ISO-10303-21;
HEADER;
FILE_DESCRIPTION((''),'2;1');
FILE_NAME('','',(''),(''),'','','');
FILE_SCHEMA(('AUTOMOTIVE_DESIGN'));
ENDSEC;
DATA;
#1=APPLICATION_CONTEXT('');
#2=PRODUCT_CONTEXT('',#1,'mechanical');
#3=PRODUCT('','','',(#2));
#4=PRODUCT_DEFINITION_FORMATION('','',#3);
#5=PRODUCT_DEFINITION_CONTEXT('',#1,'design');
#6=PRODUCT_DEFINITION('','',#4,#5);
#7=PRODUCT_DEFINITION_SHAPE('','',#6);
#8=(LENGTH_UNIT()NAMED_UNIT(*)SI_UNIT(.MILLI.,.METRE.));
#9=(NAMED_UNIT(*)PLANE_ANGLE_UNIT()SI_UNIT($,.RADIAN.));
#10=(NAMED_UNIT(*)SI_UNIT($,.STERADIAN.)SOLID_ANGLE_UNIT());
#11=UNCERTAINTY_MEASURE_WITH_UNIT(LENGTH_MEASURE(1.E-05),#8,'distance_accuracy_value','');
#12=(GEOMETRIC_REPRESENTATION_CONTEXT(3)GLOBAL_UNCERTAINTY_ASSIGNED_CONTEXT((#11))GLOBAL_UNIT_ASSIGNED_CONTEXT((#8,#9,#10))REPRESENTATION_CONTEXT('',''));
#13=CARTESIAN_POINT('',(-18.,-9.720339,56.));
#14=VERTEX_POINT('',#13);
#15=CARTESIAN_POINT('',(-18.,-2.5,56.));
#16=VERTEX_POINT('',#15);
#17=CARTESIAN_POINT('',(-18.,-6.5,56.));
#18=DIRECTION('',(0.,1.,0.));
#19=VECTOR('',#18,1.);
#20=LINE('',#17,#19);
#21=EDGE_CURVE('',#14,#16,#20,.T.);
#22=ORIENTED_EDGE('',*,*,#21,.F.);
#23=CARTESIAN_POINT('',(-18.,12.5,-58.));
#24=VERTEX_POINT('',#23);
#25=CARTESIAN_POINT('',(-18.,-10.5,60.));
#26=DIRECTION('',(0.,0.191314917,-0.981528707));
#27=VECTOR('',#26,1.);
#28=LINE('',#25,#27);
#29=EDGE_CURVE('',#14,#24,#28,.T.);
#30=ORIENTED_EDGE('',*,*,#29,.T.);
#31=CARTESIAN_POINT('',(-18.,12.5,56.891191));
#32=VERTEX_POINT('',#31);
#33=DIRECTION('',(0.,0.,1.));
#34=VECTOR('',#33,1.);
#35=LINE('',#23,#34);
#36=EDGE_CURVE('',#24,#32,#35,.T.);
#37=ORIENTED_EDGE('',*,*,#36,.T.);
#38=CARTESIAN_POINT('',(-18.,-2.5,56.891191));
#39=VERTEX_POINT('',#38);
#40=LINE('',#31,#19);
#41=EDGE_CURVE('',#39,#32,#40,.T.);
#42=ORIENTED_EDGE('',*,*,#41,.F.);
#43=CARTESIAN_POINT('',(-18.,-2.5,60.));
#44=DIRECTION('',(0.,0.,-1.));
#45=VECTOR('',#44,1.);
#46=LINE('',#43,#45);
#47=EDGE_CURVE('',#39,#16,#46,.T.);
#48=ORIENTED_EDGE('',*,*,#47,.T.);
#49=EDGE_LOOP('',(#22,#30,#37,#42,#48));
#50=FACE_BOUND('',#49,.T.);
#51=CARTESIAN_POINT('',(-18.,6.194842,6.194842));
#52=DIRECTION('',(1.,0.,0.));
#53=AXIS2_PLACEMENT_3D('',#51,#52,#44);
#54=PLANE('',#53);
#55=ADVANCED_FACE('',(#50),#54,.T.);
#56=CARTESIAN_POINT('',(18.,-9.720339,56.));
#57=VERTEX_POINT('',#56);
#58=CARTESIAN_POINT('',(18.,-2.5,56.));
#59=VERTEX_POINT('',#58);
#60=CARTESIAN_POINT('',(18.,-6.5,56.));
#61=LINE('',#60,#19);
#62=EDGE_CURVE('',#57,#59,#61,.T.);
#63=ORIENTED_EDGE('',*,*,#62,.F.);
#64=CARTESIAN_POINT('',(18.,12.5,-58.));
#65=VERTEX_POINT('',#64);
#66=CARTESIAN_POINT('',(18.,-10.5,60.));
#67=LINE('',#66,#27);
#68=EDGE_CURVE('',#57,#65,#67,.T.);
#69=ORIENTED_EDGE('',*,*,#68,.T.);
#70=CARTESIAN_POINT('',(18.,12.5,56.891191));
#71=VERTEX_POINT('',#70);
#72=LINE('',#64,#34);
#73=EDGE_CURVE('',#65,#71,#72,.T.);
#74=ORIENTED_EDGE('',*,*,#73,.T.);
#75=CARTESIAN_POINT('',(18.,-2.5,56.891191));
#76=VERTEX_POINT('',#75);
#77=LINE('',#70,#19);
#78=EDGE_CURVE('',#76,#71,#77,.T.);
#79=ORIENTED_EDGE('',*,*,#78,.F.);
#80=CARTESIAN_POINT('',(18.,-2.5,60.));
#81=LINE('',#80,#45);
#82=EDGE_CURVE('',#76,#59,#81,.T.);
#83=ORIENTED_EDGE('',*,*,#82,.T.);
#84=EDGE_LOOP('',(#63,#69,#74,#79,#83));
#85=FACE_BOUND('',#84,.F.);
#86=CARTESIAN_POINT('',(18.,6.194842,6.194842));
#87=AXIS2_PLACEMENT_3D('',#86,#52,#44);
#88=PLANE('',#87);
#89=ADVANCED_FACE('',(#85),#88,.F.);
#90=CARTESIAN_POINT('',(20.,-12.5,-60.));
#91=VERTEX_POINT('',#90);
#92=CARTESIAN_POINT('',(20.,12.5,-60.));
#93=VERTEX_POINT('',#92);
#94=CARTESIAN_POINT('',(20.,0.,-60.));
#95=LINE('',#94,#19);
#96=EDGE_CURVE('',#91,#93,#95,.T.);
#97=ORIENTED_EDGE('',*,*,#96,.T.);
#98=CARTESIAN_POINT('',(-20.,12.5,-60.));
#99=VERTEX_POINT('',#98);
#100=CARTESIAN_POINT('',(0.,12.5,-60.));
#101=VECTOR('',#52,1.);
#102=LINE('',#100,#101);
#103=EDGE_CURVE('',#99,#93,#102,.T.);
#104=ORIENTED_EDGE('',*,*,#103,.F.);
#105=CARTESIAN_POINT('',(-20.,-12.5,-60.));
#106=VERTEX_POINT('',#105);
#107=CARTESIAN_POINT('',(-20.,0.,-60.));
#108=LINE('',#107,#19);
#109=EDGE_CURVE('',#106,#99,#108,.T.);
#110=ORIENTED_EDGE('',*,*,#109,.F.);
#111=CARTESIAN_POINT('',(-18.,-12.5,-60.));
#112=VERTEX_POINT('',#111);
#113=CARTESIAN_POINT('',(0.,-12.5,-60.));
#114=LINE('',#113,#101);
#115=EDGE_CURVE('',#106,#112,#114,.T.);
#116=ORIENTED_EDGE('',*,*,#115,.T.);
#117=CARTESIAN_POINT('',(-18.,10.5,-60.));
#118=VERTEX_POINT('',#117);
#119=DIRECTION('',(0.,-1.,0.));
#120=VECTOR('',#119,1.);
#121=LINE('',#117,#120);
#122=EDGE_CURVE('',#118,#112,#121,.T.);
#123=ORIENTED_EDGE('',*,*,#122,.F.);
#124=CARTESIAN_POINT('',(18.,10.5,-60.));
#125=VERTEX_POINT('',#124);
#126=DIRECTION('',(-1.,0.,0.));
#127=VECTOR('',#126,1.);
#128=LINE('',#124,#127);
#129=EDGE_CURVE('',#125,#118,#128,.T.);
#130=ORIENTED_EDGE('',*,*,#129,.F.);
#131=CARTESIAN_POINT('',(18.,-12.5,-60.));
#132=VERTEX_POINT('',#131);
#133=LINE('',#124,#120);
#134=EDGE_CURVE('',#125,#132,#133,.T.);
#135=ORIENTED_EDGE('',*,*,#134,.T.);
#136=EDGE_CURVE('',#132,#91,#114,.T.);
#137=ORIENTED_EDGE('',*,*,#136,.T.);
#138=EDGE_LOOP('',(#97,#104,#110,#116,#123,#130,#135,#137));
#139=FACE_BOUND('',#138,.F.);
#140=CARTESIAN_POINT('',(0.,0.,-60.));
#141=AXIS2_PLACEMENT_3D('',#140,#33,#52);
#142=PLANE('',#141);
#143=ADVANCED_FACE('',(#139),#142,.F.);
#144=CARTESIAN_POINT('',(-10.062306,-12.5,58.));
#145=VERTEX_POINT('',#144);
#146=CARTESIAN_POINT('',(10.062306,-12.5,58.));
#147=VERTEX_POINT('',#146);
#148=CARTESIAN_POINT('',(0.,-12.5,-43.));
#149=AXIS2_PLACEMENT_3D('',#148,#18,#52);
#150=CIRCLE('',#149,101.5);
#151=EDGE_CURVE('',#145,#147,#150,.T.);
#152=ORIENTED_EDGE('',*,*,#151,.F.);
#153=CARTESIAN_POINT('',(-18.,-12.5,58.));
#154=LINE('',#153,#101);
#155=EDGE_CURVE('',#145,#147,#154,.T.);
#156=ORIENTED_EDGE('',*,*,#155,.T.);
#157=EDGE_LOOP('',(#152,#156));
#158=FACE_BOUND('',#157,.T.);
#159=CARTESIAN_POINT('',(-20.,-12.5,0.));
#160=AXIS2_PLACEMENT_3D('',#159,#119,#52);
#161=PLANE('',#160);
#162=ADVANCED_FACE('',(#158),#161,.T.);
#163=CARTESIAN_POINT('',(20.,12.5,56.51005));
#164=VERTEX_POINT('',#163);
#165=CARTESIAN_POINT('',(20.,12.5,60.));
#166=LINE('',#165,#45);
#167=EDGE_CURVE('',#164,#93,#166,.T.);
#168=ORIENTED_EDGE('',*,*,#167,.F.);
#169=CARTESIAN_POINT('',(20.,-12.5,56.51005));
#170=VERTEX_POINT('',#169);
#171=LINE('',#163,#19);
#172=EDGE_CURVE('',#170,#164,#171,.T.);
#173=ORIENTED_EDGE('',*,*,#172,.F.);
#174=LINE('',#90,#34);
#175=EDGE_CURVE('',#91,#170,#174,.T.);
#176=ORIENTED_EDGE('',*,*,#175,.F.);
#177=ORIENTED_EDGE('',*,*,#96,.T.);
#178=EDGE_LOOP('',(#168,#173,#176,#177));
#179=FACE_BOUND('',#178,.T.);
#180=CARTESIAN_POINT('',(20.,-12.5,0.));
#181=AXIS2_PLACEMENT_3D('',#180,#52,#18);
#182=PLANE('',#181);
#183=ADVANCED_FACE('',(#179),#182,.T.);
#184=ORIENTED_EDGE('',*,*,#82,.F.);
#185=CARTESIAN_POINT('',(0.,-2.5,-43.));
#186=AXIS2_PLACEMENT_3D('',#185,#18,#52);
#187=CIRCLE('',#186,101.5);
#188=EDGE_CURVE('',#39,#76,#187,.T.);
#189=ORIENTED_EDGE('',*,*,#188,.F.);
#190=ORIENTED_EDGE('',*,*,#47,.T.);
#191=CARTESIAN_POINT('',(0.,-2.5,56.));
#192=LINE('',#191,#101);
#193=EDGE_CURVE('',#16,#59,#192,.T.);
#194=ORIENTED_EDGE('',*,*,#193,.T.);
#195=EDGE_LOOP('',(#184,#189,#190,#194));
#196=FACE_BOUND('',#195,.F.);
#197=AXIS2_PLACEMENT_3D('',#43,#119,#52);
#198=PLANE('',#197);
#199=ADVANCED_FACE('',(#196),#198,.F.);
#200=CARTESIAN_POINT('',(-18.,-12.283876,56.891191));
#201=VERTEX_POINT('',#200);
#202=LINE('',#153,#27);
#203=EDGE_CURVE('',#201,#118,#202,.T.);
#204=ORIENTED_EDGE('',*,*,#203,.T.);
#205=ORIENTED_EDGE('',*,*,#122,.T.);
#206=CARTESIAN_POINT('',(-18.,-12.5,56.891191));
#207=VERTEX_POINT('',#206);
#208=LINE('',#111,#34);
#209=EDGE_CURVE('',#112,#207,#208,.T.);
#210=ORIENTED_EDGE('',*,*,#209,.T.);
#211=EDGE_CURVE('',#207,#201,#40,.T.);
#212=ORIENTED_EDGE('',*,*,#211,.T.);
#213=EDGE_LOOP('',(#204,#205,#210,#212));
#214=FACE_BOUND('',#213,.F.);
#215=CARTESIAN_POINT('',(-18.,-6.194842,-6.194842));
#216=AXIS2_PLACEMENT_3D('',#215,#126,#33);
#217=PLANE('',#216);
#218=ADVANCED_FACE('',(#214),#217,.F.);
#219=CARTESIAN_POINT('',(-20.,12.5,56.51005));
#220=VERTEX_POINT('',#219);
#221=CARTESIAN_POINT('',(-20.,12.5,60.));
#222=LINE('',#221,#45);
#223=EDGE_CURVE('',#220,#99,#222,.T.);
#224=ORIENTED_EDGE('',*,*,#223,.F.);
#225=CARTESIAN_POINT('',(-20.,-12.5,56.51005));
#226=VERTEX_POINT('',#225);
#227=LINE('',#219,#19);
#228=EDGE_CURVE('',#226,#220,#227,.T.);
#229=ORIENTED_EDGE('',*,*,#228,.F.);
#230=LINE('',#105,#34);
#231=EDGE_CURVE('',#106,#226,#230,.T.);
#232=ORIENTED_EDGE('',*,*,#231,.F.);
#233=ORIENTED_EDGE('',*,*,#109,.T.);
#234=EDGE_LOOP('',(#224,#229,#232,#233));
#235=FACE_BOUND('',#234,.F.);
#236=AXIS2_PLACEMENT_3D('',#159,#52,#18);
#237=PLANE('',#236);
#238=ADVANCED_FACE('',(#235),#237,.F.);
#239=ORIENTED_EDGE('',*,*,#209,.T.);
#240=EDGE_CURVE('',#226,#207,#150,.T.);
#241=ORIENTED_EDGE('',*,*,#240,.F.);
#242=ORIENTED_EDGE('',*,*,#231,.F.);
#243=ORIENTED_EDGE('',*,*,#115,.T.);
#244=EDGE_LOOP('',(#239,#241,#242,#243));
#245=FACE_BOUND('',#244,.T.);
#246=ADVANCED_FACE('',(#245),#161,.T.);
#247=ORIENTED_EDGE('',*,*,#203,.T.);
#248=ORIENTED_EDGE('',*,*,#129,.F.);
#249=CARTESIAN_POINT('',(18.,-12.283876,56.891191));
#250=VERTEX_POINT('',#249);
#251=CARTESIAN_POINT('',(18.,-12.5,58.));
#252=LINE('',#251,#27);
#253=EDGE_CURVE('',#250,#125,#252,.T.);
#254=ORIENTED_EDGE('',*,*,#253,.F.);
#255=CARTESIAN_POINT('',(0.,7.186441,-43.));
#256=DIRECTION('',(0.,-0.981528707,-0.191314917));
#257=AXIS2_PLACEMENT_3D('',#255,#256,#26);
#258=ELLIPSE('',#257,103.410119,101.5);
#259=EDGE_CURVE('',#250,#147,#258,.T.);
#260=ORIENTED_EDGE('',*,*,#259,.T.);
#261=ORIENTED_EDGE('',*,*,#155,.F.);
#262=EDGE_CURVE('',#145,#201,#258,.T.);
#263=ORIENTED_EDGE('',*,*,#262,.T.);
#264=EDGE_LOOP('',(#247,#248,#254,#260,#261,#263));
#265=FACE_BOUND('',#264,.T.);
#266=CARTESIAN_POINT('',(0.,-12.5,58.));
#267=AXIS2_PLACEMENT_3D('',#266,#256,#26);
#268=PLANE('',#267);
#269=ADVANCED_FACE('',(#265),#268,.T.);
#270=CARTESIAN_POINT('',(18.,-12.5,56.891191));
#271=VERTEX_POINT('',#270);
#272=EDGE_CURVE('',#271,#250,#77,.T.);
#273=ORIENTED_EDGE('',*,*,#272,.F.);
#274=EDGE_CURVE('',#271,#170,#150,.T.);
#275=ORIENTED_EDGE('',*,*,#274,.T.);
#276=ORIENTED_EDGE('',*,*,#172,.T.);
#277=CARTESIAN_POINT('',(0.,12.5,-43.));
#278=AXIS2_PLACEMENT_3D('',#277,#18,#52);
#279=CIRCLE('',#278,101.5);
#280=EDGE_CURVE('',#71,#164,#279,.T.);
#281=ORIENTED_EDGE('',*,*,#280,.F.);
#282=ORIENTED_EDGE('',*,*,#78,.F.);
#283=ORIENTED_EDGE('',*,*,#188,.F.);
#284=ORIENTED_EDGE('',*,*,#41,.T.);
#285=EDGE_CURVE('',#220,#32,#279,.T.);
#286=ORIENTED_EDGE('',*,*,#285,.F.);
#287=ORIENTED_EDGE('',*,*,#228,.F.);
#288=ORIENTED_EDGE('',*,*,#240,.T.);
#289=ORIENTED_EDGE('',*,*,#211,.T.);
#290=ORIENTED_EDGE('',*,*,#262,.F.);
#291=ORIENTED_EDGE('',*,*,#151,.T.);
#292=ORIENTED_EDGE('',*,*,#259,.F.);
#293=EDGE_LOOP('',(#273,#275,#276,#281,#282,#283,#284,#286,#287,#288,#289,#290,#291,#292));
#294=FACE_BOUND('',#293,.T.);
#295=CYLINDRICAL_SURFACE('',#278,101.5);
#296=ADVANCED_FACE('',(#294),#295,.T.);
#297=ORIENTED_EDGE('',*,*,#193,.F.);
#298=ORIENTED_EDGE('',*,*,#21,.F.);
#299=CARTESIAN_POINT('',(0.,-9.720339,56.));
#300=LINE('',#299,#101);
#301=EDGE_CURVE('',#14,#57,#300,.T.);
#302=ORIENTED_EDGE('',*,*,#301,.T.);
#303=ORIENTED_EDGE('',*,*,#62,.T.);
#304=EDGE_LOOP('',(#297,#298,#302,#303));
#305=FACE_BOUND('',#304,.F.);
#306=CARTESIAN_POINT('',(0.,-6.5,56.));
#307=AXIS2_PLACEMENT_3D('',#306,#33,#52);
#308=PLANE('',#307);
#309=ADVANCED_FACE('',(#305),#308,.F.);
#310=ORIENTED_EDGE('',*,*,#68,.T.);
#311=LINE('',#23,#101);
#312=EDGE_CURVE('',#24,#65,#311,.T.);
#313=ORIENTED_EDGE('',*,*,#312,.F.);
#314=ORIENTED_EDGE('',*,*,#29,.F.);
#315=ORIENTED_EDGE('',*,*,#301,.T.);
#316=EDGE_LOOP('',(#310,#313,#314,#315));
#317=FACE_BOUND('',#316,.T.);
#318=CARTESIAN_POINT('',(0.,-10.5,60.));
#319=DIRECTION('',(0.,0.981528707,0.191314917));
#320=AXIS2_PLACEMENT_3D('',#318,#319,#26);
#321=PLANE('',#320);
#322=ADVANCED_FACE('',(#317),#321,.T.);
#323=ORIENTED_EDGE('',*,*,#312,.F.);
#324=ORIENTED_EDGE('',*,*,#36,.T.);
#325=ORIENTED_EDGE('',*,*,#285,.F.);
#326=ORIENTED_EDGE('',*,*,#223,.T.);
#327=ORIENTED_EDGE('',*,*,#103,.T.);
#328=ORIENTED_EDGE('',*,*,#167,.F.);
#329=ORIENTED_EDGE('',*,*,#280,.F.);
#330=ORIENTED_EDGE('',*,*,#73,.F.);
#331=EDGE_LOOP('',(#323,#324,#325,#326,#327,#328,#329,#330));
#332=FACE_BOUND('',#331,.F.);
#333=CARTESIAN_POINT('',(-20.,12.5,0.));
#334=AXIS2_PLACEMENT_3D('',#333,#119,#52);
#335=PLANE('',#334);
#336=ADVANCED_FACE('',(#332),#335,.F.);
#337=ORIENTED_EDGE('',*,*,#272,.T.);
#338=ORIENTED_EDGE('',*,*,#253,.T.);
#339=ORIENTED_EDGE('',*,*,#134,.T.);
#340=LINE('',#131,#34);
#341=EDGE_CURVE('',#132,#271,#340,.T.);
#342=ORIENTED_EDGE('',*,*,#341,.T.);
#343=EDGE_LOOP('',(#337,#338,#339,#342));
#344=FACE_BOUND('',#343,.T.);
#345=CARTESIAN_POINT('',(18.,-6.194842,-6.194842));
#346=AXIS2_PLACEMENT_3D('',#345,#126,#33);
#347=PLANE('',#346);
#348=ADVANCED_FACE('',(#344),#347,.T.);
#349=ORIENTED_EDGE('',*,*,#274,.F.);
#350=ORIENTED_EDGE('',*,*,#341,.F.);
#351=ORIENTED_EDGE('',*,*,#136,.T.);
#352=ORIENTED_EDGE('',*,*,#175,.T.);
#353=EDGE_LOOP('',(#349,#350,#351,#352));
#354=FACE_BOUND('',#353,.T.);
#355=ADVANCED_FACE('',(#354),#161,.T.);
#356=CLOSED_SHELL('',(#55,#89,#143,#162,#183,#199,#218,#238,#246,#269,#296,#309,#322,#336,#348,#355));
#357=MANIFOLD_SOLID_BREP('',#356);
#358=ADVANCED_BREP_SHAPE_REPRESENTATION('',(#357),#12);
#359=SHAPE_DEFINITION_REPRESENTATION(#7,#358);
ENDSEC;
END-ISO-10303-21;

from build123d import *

# Parameters (mm, degrees)
SKETCH1_W           = 40
SKETCH1_H           = 25
BOSS_EXTRUDE1_DEPTH = 60
CUT_EXTRUDE3_DEPTH  = 18
SKETCH6_W           = 36
SKETCH6_H           = 8
BOSS_EXTRUDE2_DEPTH = 4
SKETCH7_R           = 500
SKETCH7_R_2         = 101.5
CUT_EXTRUDE4_DEPTH  = 26


with BuildPart() as part:
    # Sketch1 → Boss-Extrude1 (new body, symmetric)
    with BuildSketch(Plane.XY):
        Rectangle(SKETCH1_W, SKETCH1_H)
    extrude(amount=BOSS_EXTRUDE1_DEPTH, both=True)

    # Sketch4 → Cut-Extrude3 (cut, symmetric)
    with BuildSketch(Plane(origin=(0, 0, 0), x_dir=(0, 0, -1), z_dir=(1, 0, 0))):
        Polygon((-60, -10.5), (58, 12.5), (-60, 12.5), align=None)
        Polygon((-58, -12.5), (60, 10.5), (60, -12.5), align=None)
    extrude(amount=CUT_EXTRUDE3_DEPTH, both=True, mode=Mode.SUBTRACT)

    # Sketch6 → Boss-Extrude2 (add)
    with BuildSketch(Plane.XY.offset(60)):
        with Locations((0, -6.5)):
            Rectangle(SKETCH6_W, SKETCH6_H)
    extrude(amount=-BOSS_EXTRUDE2_DEPTH)

    # Sketch7 → Cut-Extrude4 (cut, through all)
    with BuildSketch(Plane(origin=(0, 12.5, 0), x_dir=(1, 0, 0), z_dir=(0, 1, 0))):
        with Locations((0, 43)):
            Circle(SKETCH7_R)
        with Locations((0, 43)):
            Circle(SKETCH7_R_2, mode=Mode.SUBTRACT)
    extrude(amount=-CUT_EXTRUDE4_DEPTH, mode=Mode.SUBTRACT)


solid = part.part
